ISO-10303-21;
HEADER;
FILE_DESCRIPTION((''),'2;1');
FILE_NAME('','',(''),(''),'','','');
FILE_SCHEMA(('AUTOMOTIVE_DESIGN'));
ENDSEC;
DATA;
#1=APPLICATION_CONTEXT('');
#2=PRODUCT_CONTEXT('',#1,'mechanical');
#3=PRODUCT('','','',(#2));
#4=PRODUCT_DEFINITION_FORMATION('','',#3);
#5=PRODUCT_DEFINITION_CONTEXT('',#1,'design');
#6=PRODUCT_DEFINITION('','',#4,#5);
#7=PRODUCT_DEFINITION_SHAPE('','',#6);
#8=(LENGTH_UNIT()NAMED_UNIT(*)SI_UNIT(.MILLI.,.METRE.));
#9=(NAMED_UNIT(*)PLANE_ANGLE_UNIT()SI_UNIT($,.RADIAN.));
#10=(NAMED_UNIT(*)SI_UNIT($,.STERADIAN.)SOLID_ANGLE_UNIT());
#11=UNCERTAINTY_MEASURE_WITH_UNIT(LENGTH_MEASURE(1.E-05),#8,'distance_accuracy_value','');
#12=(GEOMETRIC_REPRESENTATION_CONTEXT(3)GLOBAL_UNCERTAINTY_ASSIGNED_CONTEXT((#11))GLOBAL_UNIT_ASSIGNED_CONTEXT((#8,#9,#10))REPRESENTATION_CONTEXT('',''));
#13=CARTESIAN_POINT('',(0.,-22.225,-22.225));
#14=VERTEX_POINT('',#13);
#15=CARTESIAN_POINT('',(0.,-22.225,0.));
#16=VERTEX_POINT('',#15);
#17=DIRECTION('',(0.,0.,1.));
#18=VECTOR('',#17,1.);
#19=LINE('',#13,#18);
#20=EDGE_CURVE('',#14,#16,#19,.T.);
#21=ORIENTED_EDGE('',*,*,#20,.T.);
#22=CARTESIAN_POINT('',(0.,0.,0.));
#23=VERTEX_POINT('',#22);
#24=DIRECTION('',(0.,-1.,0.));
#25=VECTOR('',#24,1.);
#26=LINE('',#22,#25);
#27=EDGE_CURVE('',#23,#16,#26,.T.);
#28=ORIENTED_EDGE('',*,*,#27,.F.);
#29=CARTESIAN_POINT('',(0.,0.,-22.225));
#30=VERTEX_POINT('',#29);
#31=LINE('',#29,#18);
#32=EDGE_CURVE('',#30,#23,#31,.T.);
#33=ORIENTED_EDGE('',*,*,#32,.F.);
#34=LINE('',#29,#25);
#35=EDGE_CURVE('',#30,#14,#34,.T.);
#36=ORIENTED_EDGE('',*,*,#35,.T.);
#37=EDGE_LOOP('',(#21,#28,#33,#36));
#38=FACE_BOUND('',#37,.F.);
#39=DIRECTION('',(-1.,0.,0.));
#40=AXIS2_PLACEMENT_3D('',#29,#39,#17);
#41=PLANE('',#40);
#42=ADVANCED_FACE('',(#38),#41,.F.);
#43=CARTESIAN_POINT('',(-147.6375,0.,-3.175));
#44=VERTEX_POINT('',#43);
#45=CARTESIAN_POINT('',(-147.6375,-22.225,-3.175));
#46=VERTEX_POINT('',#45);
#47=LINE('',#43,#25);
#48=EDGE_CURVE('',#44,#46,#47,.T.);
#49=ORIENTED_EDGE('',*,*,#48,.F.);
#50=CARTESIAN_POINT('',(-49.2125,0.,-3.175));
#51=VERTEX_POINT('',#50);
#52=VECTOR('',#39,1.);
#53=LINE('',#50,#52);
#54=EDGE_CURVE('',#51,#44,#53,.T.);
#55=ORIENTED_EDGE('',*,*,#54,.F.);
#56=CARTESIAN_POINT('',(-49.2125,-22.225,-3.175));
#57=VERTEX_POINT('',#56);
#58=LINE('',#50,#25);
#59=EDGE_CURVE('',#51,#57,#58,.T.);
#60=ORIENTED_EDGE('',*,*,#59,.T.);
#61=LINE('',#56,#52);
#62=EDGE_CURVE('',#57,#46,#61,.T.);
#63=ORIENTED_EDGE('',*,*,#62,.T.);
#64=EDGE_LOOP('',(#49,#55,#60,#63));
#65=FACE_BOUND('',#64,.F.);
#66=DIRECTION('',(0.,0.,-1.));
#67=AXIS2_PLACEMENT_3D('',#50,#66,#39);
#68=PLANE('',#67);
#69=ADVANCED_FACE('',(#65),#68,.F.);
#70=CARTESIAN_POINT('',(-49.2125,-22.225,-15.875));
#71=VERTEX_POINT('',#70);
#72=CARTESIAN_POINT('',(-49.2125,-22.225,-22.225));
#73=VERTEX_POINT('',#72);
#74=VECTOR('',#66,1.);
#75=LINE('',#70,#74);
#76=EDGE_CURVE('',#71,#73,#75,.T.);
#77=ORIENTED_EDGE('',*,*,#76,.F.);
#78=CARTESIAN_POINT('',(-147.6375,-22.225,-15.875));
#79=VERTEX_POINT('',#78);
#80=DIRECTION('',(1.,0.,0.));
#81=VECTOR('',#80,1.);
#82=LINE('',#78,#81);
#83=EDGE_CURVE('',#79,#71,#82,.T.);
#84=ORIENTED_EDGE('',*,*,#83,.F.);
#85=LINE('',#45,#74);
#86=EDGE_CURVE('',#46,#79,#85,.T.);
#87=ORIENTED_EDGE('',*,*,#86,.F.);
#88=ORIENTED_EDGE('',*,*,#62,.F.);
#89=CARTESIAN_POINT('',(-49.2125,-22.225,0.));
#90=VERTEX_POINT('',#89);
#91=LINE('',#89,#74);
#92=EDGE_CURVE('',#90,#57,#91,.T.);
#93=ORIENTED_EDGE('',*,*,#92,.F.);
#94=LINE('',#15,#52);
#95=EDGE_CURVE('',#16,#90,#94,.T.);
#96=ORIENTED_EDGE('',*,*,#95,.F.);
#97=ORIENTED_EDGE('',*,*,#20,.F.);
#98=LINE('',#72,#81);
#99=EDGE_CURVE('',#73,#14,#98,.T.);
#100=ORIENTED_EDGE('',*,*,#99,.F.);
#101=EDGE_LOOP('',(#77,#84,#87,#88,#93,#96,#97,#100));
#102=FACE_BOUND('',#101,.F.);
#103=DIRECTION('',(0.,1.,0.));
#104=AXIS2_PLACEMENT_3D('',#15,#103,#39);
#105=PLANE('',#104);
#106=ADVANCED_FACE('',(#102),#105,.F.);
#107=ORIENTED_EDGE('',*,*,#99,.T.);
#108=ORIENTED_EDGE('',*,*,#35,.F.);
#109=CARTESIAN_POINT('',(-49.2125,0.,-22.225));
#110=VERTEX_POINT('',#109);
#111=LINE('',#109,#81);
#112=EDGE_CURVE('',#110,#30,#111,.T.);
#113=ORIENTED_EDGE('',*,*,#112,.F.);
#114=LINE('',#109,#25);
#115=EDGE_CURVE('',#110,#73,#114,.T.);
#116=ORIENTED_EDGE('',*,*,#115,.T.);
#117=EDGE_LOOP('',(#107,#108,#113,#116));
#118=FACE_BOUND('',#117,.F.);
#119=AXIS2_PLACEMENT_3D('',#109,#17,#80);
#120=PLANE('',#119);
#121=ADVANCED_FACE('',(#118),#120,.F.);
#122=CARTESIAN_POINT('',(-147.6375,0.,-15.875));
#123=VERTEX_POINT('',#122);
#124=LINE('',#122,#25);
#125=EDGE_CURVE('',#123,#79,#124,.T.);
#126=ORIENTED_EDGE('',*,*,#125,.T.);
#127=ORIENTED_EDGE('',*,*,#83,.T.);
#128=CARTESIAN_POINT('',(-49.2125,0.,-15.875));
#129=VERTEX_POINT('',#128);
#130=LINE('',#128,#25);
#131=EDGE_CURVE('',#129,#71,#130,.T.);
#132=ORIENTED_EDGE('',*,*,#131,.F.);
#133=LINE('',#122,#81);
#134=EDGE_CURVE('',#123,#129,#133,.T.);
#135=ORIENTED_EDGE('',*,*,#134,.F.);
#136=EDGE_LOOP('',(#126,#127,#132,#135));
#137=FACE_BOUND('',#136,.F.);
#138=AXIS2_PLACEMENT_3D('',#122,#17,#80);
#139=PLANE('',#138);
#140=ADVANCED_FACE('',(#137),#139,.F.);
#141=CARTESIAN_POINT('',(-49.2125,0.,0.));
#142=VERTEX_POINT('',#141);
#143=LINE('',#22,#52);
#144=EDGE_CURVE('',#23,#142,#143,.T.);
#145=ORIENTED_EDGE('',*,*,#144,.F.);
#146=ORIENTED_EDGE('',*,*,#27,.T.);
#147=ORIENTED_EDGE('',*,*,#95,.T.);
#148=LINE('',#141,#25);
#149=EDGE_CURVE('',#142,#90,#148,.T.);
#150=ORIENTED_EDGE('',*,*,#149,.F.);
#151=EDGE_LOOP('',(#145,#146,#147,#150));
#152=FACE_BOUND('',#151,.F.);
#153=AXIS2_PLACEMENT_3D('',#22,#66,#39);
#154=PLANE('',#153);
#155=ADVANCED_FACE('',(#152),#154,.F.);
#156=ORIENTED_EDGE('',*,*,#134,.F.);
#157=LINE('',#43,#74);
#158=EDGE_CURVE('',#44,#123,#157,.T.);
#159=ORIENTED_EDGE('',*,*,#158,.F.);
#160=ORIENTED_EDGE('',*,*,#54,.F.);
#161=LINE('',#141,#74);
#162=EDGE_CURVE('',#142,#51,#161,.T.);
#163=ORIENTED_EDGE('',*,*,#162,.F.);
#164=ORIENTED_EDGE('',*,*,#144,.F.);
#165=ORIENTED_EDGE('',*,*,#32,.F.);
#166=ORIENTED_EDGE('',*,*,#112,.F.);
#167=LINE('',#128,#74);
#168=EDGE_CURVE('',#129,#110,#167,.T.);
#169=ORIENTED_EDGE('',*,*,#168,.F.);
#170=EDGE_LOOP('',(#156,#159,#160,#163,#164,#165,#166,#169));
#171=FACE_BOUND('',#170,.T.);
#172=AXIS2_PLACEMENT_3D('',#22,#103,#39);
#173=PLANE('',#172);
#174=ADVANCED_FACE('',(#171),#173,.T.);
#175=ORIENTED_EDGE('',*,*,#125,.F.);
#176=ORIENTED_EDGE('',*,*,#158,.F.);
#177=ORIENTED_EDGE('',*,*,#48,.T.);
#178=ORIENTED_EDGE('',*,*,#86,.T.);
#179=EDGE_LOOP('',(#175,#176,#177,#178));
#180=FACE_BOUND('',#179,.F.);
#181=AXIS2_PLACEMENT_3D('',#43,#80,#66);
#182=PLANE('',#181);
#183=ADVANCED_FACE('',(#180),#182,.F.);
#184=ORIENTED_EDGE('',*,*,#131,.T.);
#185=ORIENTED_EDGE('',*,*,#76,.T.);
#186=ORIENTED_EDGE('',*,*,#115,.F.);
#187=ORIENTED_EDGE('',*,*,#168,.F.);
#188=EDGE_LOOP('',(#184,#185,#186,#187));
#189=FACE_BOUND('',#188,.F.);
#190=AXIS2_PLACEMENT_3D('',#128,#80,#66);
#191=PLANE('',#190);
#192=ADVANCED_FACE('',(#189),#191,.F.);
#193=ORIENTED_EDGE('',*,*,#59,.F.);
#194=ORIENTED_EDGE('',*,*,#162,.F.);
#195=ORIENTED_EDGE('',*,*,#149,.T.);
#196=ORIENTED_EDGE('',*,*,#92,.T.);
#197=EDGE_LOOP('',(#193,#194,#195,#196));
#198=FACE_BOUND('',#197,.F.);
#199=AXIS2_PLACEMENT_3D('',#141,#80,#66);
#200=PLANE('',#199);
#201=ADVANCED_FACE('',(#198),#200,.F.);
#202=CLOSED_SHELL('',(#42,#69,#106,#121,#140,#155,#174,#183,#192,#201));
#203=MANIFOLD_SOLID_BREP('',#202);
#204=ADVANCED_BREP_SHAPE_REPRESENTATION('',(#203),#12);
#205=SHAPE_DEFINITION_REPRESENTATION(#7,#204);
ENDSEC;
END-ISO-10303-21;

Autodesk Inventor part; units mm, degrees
ref_plane "YZ Plane" through (0, 0, 0) normal (1, 0, 0) x (0, 1, 0)
ref_plane "XZ Plane" through (0, 0, 0) normal (0, 1, 0) x (-1, 0, 0)
ref_plane "XY Plane" through (0, 0, 0) normal (0, 0, 1) x (1, 0, 0)
sketch "Sketch1" plane through (0, 0, 0) normal (0, 1, 0) x (-1, 0, 0)
  line L0 (0, 0) -> (49.2125, 0)
  line L1 (49.2125, 0) -> (49.2125, -3.175)
  line L2 (49.2125, -3.175) -> (147.6375, -3.175)
  line L3 (147.6375, -3.175) -> (147.6375, -15.875)
  line L4 (147.6375, -15.875) -> (49.2125, -15.875)
  line L5 (49.2125, -15.875) -> (49.2125, -22.225)
  line L6 (49.2125, -22.225) -> (0, -22.225)
  line L7 (0, -22.225) -> (0, 0)
  dimension "d0" = 22.225
  dimension "d1" = 147.6375
  dimension "d2" = 98.425
  dimension "d4" = 15.875
  dimension "d5" = 19.05
extrude "Extrusion1" add sketch "Sketch1" against normal blind 22.225
properties part number "Key--G"
